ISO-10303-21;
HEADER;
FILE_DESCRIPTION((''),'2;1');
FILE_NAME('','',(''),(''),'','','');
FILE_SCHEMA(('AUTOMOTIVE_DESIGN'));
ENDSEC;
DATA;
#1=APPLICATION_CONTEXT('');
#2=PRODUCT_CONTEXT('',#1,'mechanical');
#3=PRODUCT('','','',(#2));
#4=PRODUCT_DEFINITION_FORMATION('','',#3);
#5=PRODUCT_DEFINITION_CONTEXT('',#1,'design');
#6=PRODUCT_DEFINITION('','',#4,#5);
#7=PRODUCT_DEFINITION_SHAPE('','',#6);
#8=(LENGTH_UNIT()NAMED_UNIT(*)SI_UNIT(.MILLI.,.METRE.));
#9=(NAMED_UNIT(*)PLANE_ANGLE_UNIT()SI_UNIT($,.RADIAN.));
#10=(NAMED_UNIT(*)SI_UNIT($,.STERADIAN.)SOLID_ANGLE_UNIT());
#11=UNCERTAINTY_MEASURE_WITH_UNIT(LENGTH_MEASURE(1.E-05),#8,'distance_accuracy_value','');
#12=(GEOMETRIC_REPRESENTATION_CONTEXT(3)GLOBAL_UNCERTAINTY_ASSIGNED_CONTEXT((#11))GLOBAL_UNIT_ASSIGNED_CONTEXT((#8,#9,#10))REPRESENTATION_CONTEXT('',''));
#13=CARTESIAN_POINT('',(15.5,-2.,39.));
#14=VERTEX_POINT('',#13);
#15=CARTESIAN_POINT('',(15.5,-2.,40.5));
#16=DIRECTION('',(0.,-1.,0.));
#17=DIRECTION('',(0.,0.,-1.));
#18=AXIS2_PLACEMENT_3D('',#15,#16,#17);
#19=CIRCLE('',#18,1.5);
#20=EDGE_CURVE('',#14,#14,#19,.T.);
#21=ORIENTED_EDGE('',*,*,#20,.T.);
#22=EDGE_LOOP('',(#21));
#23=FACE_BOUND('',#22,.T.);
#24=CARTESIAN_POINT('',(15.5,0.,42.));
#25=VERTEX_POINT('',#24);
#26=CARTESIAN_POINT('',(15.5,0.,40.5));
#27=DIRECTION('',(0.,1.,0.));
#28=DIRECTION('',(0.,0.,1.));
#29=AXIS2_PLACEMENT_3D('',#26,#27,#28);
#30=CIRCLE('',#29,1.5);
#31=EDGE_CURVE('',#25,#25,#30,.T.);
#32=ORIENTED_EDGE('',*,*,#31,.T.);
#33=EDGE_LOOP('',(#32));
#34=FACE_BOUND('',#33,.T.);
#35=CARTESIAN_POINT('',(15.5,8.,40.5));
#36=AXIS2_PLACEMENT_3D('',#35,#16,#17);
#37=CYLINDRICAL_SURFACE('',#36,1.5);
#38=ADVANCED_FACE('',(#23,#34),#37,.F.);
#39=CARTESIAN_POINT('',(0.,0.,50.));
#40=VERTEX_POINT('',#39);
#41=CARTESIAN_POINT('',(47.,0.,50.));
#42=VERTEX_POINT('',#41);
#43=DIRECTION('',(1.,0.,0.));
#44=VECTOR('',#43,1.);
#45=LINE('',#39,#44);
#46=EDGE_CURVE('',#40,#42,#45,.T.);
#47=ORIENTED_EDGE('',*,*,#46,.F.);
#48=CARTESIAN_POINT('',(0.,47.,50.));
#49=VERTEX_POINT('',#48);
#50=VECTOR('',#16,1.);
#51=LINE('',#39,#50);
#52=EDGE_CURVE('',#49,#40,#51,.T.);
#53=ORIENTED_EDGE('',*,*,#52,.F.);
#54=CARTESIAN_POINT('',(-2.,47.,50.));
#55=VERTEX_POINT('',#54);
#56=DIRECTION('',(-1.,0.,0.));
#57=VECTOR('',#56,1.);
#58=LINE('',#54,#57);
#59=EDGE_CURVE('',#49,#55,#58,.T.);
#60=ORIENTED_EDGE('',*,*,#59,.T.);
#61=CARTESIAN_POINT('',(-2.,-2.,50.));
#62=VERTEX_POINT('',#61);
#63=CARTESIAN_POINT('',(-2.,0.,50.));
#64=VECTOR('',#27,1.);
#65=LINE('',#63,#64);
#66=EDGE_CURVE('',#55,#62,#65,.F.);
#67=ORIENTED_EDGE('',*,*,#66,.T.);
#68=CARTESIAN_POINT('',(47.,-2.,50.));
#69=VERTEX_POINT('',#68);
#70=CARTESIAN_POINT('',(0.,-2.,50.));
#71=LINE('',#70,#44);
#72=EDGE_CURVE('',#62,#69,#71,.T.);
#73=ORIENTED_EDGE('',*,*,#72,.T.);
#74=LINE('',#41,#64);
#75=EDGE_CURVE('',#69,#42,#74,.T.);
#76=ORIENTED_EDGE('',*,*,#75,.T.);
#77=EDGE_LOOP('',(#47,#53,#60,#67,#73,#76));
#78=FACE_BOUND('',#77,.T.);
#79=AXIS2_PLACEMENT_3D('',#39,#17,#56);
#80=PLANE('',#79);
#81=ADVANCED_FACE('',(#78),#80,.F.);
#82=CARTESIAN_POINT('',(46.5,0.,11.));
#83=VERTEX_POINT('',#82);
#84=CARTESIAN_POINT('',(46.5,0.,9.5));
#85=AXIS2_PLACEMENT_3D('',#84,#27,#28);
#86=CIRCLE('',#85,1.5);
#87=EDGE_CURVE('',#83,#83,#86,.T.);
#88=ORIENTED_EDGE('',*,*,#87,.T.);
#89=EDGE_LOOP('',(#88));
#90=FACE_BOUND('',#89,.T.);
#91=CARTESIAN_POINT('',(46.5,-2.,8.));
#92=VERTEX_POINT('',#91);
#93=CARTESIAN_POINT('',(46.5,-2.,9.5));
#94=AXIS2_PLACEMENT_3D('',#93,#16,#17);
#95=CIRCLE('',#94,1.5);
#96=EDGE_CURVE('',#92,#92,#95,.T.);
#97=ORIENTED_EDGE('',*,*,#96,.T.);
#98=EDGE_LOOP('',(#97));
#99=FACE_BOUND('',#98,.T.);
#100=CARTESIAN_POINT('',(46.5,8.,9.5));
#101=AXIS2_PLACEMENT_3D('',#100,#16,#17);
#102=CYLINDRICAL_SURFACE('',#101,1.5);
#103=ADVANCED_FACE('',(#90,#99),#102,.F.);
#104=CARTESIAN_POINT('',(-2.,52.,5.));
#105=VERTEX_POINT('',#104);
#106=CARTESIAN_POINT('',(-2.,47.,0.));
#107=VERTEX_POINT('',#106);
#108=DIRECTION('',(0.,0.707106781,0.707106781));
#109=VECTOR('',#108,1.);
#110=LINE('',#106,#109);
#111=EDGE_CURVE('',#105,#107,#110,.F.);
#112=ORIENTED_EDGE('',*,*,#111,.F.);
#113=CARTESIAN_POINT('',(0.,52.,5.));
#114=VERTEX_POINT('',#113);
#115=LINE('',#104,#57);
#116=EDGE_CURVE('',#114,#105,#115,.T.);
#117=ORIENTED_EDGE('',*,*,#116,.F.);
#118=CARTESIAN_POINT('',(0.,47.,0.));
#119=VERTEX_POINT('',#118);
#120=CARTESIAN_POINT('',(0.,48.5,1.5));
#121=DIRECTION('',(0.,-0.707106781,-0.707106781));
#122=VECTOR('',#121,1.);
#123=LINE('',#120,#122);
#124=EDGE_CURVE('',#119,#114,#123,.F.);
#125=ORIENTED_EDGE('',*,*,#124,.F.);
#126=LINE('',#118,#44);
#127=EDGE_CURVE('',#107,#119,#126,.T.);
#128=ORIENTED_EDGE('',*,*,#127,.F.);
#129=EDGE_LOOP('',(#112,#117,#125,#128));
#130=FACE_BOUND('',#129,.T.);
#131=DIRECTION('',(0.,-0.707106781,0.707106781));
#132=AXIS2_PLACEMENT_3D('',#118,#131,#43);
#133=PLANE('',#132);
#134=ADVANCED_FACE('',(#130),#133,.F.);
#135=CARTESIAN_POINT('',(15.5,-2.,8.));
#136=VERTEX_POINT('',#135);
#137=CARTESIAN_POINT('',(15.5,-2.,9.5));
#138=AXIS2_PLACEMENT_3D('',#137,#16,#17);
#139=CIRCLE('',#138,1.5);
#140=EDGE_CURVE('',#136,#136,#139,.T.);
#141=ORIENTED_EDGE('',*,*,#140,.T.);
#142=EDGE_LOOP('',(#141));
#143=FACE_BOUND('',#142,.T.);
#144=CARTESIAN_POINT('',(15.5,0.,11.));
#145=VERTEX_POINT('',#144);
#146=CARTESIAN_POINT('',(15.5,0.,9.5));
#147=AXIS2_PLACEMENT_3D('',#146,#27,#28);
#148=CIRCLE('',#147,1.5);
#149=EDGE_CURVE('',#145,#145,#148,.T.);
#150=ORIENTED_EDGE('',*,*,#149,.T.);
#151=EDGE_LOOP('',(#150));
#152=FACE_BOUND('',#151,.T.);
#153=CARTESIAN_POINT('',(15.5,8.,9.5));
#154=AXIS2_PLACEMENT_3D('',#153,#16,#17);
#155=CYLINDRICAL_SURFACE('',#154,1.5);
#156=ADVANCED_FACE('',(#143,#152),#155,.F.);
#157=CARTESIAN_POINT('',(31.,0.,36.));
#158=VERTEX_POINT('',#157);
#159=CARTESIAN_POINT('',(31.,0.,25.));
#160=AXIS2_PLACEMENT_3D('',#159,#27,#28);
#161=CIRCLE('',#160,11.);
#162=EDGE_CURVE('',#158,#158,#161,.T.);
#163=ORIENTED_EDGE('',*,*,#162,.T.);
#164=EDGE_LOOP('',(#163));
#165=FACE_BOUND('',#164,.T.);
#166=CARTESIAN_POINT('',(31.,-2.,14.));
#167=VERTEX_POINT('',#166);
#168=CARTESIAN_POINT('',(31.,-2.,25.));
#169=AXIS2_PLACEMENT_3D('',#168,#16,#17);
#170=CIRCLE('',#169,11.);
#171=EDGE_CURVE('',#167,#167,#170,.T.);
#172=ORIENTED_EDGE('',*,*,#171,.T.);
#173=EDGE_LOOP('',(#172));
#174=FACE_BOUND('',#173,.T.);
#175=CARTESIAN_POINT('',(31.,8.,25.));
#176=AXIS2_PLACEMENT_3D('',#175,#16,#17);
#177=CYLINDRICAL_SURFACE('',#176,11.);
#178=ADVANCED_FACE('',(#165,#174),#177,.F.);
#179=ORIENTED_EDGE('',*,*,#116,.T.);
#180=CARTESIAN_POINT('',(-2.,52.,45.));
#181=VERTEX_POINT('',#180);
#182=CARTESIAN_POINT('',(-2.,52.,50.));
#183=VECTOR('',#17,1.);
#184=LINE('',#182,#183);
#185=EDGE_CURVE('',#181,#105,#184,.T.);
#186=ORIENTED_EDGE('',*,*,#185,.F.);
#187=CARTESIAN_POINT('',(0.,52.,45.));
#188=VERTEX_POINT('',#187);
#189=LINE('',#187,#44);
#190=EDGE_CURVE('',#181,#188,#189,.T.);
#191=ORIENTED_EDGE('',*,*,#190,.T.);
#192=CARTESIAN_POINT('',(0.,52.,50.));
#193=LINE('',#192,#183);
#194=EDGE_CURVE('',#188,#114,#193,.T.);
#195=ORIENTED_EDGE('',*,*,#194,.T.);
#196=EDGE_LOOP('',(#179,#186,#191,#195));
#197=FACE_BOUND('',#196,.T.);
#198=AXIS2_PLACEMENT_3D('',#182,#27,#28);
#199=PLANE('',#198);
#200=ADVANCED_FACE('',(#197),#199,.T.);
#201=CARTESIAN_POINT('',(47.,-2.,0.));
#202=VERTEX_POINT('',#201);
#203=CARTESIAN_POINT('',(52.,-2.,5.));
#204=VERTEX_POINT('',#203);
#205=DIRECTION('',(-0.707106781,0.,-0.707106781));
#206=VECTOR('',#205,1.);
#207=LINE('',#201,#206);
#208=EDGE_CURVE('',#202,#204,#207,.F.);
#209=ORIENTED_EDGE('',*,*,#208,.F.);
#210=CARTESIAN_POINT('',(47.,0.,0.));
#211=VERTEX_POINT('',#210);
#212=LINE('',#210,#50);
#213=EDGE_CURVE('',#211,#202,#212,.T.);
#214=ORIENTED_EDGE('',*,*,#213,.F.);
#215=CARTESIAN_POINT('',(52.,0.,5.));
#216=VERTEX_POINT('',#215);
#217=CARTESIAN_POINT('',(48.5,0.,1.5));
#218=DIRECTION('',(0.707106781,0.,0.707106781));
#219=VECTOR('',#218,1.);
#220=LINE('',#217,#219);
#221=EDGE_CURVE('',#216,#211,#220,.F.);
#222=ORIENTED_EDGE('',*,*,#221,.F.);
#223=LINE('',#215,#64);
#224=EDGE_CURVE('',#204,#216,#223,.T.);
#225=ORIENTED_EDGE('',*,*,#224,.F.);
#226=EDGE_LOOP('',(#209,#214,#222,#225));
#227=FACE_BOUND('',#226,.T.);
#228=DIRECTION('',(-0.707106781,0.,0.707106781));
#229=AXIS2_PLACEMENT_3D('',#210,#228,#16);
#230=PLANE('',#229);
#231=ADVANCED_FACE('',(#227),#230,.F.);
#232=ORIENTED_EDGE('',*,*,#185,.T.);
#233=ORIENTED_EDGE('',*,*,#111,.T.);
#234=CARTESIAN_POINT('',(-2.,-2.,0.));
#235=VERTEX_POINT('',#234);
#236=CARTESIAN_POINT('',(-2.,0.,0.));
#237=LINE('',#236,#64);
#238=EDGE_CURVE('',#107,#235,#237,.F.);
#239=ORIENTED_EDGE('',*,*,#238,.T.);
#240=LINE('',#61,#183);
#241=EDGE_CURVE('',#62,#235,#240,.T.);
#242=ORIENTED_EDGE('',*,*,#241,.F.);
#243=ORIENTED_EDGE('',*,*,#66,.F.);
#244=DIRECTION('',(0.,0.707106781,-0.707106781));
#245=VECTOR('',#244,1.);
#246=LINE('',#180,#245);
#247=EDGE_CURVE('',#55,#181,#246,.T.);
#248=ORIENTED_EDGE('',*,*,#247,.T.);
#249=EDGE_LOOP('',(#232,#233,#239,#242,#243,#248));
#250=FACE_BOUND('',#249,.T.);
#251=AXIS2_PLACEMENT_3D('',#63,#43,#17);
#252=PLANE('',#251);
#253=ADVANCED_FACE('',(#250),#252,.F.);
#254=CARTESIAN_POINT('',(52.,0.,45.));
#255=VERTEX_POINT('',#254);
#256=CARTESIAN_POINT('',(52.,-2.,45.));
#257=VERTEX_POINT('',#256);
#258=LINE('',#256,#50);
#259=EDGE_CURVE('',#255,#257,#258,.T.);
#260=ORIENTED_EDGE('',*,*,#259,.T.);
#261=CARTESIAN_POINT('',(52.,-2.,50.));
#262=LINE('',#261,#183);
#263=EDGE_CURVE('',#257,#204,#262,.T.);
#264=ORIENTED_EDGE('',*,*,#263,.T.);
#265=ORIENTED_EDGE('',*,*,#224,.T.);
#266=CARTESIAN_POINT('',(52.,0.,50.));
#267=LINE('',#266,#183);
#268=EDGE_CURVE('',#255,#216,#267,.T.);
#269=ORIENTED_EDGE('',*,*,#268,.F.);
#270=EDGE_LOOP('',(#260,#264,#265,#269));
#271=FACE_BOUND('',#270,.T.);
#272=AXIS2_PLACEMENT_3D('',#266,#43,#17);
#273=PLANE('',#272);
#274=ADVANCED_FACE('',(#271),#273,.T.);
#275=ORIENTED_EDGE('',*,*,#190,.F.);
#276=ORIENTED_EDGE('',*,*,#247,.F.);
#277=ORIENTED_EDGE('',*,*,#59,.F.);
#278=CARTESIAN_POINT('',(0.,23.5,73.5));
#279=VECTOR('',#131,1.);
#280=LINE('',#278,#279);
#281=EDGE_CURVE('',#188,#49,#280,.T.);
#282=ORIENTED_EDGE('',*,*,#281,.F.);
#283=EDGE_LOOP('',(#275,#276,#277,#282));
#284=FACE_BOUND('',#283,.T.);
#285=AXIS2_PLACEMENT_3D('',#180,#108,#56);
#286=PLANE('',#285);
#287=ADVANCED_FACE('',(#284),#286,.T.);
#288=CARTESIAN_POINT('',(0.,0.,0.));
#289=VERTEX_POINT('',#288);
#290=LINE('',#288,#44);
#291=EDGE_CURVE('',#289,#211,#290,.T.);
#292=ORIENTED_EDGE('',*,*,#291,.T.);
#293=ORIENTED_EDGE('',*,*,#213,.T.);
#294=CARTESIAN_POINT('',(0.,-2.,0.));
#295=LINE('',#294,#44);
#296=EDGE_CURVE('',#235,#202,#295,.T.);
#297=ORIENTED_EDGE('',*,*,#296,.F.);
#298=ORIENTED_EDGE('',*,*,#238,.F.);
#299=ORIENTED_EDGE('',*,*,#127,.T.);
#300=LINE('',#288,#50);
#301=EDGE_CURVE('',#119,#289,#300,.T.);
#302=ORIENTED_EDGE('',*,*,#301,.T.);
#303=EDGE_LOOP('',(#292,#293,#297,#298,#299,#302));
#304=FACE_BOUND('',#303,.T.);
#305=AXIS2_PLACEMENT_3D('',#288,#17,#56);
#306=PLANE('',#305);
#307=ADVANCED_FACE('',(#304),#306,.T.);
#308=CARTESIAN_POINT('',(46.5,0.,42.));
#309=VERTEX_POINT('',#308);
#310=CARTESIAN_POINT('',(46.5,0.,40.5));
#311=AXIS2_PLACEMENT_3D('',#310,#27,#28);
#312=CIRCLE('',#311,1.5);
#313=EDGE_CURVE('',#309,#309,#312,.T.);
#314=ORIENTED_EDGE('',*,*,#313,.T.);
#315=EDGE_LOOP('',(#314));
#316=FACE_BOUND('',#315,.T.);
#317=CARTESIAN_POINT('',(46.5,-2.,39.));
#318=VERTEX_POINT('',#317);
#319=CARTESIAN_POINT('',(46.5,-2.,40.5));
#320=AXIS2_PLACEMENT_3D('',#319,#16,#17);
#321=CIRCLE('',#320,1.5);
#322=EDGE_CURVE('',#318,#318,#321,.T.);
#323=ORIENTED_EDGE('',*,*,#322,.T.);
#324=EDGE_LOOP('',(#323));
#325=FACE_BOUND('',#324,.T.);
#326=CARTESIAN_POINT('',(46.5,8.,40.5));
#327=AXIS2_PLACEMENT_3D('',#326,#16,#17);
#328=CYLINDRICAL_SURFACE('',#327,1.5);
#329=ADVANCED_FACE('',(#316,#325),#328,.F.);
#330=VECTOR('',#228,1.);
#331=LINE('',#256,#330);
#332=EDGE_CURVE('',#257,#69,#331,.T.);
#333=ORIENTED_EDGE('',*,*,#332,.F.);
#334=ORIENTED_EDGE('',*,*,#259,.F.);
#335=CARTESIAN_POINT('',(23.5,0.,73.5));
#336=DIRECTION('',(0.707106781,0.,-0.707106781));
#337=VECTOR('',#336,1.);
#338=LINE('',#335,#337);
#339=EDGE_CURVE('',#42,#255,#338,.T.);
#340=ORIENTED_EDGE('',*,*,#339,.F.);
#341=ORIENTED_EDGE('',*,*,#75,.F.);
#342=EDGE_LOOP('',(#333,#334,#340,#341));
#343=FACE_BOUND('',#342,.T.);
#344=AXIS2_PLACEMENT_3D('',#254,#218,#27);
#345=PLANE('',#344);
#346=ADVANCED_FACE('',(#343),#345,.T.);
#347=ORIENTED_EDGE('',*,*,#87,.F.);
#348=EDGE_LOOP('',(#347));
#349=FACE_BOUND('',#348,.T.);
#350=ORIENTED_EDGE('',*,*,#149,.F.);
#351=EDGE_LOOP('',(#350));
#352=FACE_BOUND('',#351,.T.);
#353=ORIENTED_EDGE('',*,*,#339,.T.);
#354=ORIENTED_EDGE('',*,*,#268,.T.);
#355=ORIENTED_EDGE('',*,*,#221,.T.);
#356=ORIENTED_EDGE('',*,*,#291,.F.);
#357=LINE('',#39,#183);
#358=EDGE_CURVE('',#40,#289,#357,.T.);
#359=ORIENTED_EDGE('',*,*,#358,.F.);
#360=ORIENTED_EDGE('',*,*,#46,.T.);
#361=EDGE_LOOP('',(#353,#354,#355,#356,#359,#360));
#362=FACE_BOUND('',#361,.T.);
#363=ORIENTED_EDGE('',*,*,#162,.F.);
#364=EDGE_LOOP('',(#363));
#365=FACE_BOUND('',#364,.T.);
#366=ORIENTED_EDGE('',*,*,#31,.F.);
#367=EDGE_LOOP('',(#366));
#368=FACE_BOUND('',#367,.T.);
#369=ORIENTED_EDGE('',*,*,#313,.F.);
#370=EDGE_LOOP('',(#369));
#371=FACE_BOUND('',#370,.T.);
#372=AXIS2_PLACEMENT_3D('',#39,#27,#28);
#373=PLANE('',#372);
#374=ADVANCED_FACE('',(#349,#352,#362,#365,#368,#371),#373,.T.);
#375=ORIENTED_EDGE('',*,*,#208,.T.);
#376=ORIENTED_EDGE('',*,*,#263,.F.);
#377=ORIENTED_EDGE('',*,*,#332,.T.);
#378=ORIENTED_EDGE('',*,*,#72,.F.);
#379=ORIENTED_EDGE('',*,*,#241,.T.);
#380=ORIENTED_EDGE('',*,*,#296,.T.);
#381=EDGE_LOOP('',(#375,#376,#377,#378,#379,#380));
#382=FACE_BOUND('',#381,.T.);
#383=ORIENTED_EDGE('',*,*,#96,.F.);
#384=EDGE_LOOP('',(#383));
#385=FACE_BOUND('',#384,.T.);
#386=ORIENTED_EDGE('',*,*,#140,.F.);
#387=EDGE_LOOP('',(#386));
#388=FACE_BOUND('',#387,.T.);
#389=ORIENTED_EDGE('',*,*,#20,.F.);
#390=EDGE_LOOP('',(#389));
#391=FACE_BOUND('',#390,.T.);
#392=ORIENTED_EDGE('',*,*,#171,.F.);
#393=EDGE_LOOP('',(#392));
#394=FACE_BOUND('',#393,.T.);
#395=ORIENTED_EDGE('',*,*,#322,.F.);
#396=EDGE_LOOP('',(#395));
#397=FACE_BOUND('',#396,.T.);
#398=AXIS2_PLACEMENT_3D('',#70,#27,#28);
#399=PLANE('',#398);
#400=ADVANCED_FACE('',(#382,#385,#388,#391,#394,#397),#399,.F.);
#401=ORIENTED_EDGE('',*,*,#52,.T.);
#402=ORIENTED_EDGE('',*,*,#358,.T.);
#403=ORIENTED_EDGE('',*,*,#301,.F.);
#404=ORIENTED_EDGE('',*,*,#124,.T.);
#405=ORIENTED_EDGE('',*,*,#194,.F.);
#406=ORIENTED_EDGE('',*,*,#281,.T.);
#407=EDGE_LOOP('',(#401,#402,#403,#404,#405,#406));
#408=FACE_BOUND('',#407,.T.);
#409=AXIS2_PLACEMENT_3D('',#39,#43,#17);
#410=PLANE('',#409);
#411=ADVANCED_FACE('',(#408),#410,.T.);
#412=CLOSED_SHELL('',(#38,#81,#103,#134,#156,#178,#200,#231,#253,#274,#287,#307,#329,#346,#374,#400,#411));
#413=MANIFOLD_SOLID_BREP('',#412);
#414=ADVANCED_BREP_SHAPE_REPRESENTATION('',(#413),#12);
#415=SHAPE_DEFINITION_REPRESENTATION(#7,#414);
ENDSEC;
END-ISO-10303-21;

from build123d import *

# Parameters (mm, degrees)
EXTRUDE_THIN1_DEPTH = 50
CHAMFER1_SIZE       = 5
SKETCH2_R           = 11
SKETCH2_R_2         = 1.5
CUT_EXTRUDE1_DEPTH  = 10


with BuildPart() as part:
    # Sketch1 → Extrude-Thin1 (new body)
    with BuildSketch(Plane.XY):
        Polygon((52, 0), (0, 0), (0, 52), (-2, 52), (-2, -2), (52, -2), align=None)
    extrude(amount=EXTRUDE_THIN1_DEPTH)

    # Chamfer1
    chamfer1_edges = [part.edges().sort_by_distance(p)[0] for p in [
        (-1, 52, 50),
        (-1, 52, 0),
        (52, -1, 0),
        (52, -1, 50),
    ]]
    chamfer(chamfer1_edges, length=CHAMFER1_SIZE)

    # Sketch2 → Cut-Extrude1 (cut)
    with BuildSketch(Plane.XZ.offset(2)):
        with Locations((31, 25)):
            Circle(SKETCH2_R)
        with Locations((15.5, 40.5)):
            Circle(SKETCH2_R_2)
        with Locations((46.5, 40.5)):
            Circle(SKETCH2_R_2)
        with Locations((46.5, 9.5)):
            Circle(SKETCH2_R_2)
        with Locations((15.5, 9.5)):
            Circle(SKETCH2_R_2)
    extrude(amount=-CUT_EXTRUDE1_DEPTH, mode=Mode.SUBTRACT)


solid = part.part
